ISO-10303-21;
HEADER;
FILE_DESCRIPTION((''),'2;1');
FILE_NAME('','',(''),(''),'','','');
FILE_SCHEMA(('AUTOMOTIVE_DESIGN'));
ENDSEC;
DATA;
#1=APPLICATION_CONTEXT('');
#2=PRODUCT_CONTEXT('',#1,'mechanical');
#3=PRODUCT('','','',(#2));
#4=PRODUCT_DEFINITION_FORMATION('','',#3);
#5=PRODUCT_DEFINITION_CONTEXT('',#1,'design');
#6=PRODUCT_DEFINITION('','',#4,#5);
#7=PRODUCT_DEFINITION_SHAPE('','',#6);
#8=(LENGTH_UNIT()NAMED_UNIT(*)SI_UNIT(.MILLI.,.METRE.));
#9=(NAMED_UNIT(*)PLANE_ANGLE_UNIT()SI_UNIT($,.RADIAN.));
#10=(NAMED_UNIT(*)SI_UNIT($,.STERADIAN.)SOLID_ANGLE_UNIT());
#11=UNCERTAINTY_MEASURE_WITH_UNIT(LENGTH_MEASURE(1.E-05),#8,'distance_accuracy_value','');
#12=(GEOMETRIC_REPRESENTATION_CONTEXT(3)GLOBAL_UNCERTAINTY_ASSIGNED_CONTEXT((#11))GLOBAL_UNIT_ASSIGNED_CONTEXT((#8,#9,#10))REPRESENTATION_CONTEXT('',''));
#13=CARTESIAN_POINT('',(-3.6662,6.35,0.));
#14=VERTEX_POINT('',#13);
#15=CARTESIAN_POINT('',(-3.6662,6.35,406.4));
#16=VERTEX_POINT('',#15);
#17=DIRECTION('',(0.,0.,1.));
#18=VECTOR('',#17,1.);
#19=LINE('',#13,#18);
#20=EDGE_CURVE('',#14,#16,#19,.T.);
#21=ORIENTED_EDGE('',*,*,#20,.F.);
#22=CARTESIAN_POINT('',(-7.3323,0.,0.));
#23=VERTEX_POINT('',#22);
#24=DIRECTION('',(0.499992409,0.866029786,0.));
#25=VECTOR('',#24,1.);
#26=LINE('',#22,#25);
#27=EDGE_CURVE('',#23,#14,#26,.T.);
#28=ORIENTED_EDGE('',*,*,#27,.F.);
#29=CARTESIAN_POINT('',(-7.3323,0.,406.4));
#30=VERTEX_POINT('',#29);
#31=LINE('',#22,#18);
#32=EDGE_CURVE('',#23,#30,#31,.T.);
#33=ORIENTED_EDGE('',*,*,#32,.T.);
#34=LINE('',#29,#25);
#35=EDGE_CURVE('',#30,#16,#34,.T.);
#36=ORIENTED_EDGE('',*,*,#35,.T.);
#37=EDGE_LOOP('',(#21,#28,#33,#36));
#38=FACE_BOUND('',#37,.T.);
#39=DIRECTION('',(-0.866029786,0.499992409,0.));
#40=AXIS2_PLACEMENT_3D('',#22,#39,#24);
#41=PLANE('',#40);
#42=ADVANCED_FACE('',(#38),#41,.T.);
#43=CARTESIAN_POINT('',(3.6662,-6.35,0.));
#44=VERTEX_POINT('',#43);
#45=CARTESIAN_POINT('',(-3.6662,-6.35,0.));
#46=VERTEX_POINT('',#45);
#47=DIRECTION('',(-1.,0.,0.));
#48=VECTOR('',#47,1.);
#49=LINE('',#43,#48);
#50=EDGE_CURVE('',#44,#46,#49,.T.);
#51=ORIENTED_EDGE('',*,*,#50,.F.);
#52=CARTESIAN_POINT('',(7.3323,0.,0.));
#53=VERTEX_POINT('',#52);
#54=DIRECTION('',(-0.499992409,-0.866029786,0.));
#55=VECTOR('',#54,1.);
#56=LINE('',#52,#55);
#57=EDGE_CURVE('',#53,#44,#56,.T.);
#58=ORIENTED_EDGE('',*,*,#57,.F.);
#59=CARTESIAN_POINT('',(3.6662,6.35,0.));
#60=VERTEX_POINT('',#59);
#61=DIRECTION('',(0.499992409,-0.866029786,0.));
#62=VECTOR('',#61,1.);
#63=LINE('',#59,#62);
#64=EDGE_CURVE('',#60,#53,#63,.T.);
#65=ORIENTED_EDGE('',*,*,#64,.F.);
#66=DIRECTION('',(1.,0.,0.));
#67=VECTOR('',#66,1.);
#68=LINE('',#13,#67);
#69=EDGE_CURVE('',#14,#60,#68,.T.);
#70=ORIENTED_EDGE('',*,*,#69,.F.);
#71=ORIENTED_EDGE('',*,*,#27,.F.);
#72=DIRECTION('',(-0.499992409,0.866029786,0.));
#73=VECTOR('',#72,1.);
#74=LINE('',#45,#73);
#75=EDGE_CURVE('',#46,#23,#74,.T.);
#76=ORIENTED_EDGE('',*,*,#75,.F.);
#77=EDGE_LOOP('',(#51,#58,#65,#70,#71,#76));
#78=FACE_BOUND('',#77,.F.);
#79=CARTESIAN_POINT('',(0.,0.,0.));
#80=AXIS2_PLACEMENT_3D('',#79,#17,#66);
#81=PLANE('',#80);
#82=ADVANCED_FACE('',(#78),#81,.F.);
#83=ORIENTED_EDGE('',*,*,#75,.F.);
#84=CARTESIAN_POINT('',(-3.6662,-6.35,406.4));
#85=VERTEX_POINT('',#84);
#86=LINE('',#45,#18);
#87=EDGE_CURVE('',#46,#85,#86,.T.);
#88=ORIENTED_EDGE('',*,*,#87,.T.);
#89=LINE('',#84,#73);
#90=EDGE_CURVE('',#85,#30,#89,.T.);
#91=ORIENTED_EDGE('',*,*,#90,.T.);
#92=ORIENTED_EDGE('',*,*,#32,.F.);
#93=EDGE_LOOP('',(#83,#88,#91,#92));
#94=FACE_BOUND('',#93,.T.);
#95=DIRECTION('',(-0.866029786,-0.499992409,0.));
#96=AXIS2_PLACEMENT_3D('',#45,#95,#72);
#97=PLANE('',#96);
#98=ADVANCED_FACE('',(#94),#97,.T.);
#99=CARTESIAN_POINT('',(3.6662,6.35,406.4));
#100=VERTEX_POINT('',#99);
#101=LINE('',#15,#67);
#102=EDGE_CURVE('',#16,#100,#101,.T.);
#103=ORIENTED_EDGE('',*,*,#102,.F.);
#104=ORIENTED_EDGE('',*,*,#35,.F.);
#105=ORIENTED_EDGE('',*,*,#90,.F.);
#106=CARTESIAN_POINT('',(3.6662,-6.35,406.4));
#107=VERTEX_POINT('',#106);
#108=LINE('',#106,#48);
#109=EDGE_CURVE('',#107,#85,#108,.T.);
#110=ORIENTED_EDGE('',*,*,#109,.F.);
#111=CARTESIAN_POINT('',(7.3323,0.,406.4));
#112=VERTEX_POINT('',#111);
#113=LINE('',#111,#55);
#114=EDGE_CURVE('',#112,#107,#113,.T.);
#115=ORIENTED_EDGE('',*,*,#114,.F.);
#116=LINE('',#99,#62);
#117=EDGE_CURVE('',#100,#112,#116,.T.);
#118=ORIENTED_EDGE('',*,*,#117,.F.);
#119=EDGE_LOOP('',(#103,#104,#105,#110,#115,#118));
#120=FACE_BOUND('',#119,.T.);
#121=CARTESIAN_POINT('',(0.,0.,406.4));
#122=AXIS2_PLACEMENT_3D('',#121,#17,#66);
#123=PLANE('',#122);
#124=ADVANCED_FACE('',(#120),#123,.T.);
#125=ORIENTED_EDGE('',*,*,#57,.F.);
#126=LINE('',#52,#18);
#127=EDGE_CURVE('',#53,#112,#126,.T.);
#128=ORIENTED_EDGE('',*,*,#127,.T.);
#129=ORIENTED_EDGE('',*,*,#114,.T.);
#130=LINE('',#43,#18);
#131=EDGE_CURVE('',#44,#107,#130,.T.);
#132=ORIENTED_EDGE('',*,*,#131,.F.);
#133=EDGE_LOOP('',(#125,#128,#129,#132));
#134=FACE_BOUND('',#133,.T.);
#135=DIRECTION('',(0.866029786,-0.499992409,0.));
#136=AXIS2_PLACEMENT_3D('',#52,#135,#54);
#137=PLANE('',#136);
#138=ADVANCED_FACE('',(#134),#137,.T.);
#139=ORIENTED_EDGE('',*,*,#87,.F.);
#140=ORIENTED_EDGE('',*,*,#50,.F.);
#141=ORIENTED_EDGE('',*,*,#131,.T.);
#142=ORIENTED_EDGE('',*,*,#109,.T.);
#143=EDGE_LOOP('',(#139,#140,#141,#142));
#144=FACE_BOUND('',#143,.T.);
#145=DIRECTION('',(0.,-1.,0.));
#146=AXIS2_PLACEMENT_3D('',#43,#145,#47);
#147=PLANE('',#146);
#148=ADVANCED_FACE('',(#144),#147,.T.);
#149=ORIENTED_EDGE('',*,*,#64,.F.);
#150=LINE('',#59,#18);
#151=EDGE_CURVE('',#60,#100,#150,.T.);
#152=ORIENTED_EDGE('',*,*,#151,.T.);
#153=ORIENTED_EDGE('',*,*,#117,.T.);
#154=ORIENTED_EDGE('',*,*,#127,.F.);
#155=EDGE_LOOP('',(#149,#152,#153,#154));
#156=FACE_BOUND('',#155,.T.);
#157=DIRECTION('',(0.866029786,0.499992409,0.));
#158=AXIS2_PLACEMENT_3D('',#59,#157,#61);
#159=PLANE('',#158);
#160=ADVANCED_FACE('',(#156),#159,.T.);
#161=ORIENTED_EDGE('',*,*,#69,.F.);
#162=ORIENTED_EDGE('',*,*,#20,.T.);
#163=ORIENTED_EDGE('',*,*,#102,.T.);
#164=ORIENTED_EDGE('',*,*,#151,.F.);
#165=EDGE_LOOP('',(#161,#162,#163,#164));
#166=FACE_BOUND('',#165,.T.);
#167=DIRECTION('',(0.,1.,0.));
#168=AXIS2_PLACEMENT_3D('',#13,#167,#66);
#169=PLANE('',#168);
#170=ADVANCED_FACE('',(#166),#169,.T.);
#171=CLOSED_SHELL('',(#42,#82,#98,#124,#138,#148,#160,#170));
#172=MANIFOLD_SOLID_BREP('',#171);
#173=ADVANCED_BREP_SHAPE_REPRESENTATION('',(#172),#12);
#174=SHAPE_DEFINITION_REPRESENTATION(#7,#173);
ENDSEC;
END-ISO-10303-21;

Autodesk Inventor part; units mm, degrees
ref_plane "YZ Plane" through (0, 0, 0) normal (1, 0, 0) x (0, 1, 0)
ref_plane "XZ Plane" through (0, 0, 0) normal (0, 1, 0) x (-1, 0, 0)
ref_plane "XY Plane" through (0, 0, 0) normal (0, 0, 1) x (1, 0, 0)
sketch "Sketch1" plane through (0, 0, 0) normal (0, 0, 1) x (1, 0, 0)
  line L0 (3.6662, 6.35) -> (7.3323, 0)
  line L1 (7.3323, 0) -> (3.6662, -6.35)
  line L2 (3.6662, -6.35) -> (-3.6662, -6.35)
  line L3 (-3.6662, -6.35) -> (-7.3323, 0)
  line L4 (-7.3323, 0) -> (-3.6662, 6.35)
  line L5 (-3.6662, 6.35) -> (3.6662, 6.35)
  point P0 (0, 0)
  point P1 (0, 0)
  dimension "d0" = 12.7
extrude "Extrusion1" add sketch "Sketch1" along normal blind 406.4
properties part number "hex rod 16 inch" material "Steel, Alloy"
